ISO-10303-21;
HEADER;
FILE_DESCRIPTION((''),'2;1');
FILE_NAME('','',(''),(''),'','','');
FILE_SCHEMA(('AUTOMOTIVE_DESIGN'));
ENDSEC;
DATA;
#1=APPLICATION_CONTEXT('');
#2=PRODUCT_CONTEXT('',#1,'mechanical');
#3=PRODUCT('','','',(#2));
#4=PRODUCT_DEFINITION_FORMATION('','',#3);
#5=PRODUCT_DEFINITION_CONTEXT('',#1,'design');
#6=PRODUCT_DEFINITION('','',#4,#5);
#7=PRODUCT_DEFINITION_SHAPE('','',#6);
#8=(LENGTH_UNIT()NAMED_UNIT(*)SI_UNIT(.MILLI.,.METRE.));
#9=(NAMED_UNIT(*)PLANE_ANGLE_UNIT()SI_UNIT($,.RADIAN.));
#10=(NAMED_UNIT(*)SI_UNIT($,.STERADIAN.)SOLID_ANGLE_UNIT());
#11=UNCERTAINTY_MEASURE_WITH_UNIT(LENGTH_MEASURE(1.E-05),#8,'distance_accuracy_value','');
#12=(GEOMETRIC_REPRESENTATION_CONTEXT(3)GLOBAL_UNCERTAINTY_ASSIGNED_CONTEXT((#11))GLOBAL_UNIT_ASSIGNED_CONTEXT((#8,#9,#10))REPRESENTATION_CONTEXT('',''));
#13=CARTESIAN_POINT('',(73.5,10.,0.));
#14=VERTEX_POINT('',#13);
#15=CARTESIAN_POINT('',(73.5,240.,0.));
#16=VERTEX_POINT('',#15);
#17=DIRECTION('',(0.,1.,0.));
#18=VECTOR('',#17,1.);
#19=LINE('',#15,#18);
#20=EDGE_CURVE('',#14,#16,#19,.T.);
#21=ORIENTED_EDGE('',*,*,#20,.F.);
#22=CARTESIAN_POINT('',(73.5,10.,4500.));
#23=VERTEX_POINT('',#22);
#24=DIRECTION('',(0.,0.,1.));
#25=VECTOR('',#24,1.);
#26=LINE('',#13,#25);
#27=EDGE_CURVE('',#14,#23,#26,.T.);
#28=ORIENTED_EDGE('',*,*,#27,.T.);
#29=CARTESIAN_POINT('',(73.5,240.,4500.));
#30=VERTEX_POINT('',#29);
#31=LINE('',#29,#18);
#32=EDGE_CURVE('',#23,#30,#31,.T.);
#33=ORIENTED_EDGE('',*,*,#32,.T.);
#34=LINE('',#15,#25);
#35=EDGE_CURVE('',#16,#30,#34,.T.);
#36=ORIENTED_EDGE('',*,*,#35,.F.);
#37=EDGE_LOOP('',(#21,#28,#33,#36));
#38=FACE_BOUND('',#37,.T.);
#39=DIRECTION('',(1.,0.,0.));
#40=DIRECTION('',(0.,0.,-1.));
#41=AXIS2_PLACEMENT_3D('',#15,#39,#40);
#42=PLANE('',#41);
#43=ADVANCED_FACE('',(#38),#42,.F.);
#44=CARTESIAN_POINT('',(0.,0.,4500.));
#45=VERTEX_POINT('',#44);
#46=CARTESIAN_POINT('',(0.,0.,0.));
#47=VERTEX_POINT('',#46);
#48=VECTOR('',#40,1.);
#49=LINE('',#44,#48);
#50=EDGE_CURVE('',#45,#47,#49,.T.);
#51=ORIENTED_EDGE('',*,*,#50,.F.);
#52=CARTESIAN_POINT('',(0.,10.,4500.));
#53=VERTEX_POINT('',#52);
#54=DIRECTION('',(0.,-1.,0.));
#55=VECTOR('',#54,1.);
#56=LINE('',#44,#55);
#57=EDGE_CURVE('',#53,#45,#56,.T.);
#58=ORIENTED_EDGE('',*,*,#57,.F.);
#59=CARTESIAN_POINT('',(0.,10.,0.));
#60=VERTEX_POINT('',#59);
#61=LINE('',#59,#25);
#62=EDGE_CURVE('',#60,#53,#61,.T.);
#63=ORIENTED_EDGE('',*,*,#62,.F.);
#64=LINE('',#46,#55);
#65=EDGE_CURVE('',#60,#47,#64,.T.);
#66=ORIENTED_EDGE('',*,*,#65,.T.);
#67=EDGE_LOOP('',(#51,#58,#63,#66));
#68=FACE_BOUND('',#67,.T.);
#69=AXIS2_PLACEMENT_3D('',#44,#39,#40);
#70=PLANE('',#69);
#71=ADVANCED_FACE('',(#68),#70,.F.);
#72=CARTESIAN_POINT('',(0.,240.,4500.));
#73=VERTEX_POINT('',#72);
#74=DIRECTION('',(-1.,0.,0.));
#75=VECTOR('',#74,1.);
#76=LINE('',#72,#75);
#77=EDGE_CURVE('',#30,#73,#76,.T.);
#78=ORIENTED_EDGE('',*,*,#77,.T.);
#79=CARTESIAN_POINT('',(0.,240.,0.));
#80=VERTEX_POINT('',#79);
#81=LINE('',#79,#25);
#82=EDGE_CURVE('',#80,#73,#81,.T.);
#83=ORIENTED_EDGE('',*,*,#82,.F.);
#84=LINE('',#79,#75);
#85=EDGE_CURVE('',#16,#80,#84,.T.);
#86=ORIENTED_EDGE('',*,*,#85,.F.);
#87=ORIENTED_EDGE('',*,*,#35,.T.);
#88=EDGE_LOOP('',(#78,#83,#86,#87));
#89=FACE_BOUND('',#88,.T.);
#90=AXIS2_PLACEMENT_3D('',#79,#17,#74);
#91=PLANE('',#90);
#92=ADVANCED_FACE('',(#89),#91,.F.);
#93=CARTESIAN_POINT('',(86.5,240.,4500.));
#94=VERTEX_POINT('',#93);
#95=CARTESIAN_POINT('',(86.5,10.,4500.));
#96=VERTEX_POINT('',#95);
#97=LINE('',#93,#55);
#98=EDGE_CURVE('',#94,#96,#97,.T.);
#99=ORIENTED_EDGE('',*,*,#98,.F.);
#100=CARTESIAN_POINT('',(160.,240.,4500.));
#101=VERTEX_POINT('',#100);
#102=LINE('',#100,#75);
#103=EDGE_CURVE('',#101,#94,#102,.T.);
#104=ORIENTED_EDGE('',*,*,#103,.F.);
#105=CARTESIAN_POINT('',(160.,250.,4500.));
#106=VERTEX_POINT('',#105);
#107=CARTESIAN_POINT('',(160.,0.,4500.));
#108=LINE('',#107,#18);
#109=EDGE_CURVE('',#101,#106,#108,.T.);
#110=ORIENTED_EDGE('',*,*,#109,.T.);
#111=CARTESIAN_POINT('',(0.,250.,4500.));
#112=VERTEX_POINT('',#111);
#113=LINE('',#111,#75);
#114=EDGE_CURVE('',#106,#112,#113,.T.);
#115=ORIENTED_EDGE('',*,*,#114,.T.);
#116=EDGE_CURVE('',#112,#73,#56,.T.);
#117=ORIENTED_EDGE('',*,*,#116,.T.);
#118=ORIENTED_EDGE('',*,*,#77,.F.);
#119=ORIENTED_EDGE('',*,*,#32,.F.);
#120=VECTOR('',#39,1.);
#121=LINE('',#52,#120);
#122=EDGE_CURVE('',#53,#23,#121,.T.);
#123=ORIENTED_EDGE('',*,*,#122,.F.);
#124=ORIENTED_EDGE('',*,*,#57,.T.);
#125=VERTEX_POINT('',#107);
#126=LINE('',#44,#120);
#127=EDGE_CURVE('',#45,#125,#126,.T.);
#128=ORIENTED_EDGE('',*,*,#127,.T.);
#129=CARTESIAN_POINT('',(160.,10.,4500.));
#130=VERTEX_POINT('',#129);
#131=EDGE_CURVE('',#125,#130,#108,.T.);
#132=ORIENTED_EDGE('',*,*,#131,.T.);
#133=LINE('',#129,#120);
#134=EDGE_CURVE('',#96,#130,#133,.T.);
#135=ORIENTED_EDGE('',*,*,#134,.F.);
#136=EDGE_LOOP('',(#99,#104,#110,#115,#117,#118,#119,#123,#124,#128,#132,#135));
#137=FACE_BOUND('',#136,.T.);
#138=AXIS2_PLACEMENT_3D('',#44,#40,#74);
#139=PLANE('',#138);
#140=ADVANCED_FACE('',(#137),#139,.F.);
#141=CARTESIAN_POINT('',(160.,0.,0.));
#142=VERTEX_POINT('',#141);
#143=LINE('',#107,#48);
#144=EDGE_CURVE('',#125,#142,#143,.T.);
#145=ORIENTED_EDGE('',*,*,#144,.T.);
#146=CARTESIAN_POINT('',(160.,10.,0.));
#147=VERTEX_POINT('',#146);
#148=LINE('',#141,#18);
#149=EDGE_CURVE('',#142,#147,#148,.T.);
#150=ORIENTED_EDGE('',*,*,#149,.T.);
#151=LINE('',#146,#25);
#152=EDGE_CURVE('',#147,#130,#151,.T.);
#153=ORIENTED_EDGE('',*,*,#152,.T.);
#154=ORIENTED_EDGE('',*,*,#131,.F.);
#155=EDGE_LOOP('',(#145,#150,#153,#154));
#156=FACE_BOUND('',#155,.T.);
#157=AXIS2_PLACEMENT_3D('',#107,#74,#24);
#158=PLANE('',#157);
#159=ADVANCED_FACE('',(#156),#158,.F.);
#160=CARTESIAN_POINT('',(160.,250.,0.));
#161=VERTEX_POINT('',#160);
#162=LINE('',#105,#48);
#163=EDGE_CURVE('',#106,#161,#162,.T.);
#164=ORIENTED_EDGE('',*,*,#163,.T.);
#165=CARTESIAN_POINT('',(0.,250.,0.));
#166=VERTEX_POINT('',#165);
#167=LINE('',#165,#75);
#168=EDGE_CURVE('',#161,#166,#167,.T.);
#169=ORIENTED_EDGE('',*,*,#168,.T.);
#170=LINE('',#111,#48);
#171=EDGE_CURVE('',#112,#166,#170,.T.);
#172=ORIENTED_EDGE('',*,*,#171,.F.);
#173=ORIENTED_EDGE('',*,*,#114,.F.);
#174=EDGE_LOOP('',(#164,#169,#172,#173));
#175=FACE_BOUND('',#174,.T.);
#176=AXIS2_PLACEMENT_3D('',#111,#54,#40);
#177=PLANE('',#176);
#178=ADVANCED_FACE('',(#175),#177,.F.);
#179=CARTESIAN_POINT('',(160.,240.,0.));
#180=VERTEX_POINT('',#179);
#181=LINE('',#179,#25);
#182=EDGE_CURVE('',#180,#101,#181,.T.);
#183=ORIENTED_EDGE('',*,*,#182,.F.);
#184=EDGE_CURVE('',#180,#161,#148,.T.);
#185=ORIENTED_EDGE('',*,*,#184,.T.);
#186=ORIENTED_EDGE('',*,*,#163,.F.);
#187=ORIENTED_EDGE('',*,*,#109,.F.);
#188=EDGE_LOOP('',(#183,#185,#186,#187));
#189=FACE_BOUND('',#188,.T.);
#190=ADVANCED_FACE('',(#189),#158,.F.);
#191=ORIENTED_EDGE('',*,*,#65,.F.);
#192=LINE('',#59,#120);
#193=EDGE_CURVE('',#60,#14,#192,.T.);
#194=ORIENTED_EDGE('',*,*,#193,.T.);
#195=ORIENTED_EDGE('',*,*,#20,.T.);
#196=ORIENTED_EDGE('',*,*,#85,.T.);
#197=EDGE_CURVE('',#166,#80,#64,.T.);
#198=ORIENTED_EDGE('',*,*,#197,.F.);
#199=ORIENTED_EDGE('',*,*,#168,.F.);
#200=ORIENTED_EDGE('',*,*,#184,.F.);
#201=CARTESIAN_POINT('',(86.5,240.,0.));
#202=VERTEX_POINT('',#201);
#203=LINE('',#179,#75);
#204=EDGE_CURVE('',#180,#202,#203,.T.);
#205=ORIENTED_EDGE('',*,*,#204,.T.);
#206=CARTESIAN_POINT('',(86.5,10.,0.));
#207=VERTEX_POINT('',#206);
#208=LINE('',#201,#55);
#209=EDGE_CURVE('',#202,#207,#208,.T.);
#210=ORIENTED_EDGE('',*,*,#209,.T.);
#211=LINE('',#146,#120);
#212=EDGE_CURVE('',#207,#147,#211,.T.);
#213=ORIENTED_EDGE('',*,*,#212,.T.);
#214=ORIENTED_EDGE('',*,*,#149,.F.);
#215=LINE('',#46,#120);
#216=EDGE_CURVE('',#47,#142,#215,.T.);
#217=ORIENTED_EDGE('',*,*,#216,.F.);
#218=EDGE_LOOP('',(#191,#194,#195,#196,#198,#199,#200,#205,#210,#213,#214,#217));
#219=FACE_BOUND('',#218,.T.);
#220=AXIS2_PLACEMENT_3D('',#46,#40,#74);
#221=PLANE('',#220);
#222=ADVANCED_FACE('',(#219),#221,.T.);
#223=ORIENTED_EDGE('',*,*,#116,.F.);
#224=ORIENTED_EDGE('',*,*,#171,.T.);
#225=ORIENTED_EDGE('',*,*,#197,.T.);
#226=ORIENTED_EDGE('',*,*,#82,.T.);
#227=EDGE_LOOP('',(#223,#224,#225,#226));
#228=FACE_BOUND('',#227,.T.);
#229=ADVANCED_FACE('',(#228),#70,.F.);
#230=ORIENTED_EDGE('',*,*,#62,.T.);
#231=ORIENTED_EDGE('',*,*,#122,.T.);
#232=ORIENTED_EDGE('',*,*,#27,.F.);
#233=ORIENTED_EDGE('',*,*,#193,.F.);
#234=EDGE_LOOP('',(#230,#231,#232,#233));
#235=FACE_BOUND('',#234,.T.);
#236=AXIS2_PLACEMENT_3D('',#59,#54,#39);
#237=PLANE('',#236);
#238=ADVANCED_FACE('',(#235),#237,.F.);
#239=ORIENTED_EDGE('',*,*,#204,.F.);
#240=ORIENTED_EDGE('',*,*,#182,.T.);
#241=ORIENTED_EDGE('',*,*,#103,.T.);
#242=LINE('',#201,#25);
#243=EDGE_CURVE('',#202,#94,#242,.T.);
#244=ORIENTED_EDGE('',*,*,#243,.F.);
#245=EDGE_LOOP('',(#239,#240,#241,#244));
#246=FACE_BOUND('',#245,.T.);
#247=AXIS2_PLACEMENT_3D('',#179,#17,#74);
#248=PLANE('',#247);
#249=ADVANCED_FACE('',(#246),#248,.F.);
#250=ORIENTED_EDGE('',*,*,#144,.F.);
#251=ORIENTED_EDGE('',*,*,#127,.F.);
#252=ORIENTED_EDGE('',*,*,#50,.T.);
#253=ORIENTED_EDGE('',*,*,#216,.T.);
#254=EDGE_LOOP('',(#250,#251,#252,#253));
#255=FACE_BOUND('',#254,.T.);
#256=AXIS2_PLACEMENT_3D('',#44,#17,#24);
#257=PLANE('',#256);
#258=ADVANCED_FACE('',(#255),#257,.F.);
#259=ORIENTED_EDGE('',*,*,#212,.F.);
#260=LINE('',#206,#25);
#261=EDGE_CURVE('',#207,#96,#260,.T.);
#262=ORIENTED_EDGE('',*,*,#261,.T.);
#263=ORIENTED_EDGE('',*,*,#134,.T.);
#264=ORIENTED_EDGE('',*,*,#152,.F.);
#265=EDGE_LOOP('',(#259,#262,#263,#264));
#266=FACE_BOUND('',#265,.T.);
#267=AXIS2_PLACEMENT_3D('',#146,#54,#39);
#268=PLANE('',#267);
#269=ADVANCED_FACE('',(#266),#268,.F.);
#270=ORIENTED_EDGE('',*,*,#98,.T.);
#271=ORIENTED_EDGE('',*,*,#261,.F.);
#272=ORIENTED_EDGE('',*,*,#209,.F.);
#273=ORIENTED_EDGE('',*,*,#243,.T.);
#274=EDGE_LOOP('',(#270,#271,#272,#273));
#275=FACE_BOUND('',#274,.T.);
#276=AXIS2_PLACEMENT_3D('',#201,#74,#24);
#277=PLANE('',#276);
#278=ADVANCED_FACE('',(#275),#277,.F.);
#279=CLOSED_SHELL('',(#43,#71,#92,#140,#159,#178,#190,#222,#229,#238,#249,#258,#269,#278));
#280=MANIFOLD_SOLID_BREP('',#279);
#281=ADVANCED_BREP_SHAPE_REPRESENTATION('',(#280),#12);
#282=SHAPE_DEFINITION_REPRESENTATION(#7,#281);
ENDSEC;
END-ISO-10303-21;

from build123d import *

# Parameters (mm, degrees)
SKETCH_2_W          = 160
SKETCH_2_H          = 250
EXTRUDE_1_DEPTH     = 4500
SKETCH_3_W          = 73.5
SKETCH_3_H          = 230
CUT_EXTRUDE_1_DEPTH = 4510.778265059


with BuildPart() as part:
    # 草图2 → 凸台-拉伸1 (new body)
    with BuildSketch(Plane.XY):
        with Locations((80, 125)):
            Rectangle(SKETCH_2_W, SKETCH_2_H)
    extrude(amount=EXTRUDE_1_DEPTH)

    # 草图3 → 切除-拉伸1 (cut, through all)
    with BuildSketch(Plane.XY.offset(4500)):
        with Locations((123.25, 125)):
            Rectangle(SKETCH_3_W, SKETCH_3_H)
        with Locations((36.75, 125)):
            Rectangle(SKETCH_3_W, SKETCH_3_H)
    extrude(amount=-CUT_EXTRUDE_1_DEPTH, mode=Mode.SUBTRACT)


solid = part.part
